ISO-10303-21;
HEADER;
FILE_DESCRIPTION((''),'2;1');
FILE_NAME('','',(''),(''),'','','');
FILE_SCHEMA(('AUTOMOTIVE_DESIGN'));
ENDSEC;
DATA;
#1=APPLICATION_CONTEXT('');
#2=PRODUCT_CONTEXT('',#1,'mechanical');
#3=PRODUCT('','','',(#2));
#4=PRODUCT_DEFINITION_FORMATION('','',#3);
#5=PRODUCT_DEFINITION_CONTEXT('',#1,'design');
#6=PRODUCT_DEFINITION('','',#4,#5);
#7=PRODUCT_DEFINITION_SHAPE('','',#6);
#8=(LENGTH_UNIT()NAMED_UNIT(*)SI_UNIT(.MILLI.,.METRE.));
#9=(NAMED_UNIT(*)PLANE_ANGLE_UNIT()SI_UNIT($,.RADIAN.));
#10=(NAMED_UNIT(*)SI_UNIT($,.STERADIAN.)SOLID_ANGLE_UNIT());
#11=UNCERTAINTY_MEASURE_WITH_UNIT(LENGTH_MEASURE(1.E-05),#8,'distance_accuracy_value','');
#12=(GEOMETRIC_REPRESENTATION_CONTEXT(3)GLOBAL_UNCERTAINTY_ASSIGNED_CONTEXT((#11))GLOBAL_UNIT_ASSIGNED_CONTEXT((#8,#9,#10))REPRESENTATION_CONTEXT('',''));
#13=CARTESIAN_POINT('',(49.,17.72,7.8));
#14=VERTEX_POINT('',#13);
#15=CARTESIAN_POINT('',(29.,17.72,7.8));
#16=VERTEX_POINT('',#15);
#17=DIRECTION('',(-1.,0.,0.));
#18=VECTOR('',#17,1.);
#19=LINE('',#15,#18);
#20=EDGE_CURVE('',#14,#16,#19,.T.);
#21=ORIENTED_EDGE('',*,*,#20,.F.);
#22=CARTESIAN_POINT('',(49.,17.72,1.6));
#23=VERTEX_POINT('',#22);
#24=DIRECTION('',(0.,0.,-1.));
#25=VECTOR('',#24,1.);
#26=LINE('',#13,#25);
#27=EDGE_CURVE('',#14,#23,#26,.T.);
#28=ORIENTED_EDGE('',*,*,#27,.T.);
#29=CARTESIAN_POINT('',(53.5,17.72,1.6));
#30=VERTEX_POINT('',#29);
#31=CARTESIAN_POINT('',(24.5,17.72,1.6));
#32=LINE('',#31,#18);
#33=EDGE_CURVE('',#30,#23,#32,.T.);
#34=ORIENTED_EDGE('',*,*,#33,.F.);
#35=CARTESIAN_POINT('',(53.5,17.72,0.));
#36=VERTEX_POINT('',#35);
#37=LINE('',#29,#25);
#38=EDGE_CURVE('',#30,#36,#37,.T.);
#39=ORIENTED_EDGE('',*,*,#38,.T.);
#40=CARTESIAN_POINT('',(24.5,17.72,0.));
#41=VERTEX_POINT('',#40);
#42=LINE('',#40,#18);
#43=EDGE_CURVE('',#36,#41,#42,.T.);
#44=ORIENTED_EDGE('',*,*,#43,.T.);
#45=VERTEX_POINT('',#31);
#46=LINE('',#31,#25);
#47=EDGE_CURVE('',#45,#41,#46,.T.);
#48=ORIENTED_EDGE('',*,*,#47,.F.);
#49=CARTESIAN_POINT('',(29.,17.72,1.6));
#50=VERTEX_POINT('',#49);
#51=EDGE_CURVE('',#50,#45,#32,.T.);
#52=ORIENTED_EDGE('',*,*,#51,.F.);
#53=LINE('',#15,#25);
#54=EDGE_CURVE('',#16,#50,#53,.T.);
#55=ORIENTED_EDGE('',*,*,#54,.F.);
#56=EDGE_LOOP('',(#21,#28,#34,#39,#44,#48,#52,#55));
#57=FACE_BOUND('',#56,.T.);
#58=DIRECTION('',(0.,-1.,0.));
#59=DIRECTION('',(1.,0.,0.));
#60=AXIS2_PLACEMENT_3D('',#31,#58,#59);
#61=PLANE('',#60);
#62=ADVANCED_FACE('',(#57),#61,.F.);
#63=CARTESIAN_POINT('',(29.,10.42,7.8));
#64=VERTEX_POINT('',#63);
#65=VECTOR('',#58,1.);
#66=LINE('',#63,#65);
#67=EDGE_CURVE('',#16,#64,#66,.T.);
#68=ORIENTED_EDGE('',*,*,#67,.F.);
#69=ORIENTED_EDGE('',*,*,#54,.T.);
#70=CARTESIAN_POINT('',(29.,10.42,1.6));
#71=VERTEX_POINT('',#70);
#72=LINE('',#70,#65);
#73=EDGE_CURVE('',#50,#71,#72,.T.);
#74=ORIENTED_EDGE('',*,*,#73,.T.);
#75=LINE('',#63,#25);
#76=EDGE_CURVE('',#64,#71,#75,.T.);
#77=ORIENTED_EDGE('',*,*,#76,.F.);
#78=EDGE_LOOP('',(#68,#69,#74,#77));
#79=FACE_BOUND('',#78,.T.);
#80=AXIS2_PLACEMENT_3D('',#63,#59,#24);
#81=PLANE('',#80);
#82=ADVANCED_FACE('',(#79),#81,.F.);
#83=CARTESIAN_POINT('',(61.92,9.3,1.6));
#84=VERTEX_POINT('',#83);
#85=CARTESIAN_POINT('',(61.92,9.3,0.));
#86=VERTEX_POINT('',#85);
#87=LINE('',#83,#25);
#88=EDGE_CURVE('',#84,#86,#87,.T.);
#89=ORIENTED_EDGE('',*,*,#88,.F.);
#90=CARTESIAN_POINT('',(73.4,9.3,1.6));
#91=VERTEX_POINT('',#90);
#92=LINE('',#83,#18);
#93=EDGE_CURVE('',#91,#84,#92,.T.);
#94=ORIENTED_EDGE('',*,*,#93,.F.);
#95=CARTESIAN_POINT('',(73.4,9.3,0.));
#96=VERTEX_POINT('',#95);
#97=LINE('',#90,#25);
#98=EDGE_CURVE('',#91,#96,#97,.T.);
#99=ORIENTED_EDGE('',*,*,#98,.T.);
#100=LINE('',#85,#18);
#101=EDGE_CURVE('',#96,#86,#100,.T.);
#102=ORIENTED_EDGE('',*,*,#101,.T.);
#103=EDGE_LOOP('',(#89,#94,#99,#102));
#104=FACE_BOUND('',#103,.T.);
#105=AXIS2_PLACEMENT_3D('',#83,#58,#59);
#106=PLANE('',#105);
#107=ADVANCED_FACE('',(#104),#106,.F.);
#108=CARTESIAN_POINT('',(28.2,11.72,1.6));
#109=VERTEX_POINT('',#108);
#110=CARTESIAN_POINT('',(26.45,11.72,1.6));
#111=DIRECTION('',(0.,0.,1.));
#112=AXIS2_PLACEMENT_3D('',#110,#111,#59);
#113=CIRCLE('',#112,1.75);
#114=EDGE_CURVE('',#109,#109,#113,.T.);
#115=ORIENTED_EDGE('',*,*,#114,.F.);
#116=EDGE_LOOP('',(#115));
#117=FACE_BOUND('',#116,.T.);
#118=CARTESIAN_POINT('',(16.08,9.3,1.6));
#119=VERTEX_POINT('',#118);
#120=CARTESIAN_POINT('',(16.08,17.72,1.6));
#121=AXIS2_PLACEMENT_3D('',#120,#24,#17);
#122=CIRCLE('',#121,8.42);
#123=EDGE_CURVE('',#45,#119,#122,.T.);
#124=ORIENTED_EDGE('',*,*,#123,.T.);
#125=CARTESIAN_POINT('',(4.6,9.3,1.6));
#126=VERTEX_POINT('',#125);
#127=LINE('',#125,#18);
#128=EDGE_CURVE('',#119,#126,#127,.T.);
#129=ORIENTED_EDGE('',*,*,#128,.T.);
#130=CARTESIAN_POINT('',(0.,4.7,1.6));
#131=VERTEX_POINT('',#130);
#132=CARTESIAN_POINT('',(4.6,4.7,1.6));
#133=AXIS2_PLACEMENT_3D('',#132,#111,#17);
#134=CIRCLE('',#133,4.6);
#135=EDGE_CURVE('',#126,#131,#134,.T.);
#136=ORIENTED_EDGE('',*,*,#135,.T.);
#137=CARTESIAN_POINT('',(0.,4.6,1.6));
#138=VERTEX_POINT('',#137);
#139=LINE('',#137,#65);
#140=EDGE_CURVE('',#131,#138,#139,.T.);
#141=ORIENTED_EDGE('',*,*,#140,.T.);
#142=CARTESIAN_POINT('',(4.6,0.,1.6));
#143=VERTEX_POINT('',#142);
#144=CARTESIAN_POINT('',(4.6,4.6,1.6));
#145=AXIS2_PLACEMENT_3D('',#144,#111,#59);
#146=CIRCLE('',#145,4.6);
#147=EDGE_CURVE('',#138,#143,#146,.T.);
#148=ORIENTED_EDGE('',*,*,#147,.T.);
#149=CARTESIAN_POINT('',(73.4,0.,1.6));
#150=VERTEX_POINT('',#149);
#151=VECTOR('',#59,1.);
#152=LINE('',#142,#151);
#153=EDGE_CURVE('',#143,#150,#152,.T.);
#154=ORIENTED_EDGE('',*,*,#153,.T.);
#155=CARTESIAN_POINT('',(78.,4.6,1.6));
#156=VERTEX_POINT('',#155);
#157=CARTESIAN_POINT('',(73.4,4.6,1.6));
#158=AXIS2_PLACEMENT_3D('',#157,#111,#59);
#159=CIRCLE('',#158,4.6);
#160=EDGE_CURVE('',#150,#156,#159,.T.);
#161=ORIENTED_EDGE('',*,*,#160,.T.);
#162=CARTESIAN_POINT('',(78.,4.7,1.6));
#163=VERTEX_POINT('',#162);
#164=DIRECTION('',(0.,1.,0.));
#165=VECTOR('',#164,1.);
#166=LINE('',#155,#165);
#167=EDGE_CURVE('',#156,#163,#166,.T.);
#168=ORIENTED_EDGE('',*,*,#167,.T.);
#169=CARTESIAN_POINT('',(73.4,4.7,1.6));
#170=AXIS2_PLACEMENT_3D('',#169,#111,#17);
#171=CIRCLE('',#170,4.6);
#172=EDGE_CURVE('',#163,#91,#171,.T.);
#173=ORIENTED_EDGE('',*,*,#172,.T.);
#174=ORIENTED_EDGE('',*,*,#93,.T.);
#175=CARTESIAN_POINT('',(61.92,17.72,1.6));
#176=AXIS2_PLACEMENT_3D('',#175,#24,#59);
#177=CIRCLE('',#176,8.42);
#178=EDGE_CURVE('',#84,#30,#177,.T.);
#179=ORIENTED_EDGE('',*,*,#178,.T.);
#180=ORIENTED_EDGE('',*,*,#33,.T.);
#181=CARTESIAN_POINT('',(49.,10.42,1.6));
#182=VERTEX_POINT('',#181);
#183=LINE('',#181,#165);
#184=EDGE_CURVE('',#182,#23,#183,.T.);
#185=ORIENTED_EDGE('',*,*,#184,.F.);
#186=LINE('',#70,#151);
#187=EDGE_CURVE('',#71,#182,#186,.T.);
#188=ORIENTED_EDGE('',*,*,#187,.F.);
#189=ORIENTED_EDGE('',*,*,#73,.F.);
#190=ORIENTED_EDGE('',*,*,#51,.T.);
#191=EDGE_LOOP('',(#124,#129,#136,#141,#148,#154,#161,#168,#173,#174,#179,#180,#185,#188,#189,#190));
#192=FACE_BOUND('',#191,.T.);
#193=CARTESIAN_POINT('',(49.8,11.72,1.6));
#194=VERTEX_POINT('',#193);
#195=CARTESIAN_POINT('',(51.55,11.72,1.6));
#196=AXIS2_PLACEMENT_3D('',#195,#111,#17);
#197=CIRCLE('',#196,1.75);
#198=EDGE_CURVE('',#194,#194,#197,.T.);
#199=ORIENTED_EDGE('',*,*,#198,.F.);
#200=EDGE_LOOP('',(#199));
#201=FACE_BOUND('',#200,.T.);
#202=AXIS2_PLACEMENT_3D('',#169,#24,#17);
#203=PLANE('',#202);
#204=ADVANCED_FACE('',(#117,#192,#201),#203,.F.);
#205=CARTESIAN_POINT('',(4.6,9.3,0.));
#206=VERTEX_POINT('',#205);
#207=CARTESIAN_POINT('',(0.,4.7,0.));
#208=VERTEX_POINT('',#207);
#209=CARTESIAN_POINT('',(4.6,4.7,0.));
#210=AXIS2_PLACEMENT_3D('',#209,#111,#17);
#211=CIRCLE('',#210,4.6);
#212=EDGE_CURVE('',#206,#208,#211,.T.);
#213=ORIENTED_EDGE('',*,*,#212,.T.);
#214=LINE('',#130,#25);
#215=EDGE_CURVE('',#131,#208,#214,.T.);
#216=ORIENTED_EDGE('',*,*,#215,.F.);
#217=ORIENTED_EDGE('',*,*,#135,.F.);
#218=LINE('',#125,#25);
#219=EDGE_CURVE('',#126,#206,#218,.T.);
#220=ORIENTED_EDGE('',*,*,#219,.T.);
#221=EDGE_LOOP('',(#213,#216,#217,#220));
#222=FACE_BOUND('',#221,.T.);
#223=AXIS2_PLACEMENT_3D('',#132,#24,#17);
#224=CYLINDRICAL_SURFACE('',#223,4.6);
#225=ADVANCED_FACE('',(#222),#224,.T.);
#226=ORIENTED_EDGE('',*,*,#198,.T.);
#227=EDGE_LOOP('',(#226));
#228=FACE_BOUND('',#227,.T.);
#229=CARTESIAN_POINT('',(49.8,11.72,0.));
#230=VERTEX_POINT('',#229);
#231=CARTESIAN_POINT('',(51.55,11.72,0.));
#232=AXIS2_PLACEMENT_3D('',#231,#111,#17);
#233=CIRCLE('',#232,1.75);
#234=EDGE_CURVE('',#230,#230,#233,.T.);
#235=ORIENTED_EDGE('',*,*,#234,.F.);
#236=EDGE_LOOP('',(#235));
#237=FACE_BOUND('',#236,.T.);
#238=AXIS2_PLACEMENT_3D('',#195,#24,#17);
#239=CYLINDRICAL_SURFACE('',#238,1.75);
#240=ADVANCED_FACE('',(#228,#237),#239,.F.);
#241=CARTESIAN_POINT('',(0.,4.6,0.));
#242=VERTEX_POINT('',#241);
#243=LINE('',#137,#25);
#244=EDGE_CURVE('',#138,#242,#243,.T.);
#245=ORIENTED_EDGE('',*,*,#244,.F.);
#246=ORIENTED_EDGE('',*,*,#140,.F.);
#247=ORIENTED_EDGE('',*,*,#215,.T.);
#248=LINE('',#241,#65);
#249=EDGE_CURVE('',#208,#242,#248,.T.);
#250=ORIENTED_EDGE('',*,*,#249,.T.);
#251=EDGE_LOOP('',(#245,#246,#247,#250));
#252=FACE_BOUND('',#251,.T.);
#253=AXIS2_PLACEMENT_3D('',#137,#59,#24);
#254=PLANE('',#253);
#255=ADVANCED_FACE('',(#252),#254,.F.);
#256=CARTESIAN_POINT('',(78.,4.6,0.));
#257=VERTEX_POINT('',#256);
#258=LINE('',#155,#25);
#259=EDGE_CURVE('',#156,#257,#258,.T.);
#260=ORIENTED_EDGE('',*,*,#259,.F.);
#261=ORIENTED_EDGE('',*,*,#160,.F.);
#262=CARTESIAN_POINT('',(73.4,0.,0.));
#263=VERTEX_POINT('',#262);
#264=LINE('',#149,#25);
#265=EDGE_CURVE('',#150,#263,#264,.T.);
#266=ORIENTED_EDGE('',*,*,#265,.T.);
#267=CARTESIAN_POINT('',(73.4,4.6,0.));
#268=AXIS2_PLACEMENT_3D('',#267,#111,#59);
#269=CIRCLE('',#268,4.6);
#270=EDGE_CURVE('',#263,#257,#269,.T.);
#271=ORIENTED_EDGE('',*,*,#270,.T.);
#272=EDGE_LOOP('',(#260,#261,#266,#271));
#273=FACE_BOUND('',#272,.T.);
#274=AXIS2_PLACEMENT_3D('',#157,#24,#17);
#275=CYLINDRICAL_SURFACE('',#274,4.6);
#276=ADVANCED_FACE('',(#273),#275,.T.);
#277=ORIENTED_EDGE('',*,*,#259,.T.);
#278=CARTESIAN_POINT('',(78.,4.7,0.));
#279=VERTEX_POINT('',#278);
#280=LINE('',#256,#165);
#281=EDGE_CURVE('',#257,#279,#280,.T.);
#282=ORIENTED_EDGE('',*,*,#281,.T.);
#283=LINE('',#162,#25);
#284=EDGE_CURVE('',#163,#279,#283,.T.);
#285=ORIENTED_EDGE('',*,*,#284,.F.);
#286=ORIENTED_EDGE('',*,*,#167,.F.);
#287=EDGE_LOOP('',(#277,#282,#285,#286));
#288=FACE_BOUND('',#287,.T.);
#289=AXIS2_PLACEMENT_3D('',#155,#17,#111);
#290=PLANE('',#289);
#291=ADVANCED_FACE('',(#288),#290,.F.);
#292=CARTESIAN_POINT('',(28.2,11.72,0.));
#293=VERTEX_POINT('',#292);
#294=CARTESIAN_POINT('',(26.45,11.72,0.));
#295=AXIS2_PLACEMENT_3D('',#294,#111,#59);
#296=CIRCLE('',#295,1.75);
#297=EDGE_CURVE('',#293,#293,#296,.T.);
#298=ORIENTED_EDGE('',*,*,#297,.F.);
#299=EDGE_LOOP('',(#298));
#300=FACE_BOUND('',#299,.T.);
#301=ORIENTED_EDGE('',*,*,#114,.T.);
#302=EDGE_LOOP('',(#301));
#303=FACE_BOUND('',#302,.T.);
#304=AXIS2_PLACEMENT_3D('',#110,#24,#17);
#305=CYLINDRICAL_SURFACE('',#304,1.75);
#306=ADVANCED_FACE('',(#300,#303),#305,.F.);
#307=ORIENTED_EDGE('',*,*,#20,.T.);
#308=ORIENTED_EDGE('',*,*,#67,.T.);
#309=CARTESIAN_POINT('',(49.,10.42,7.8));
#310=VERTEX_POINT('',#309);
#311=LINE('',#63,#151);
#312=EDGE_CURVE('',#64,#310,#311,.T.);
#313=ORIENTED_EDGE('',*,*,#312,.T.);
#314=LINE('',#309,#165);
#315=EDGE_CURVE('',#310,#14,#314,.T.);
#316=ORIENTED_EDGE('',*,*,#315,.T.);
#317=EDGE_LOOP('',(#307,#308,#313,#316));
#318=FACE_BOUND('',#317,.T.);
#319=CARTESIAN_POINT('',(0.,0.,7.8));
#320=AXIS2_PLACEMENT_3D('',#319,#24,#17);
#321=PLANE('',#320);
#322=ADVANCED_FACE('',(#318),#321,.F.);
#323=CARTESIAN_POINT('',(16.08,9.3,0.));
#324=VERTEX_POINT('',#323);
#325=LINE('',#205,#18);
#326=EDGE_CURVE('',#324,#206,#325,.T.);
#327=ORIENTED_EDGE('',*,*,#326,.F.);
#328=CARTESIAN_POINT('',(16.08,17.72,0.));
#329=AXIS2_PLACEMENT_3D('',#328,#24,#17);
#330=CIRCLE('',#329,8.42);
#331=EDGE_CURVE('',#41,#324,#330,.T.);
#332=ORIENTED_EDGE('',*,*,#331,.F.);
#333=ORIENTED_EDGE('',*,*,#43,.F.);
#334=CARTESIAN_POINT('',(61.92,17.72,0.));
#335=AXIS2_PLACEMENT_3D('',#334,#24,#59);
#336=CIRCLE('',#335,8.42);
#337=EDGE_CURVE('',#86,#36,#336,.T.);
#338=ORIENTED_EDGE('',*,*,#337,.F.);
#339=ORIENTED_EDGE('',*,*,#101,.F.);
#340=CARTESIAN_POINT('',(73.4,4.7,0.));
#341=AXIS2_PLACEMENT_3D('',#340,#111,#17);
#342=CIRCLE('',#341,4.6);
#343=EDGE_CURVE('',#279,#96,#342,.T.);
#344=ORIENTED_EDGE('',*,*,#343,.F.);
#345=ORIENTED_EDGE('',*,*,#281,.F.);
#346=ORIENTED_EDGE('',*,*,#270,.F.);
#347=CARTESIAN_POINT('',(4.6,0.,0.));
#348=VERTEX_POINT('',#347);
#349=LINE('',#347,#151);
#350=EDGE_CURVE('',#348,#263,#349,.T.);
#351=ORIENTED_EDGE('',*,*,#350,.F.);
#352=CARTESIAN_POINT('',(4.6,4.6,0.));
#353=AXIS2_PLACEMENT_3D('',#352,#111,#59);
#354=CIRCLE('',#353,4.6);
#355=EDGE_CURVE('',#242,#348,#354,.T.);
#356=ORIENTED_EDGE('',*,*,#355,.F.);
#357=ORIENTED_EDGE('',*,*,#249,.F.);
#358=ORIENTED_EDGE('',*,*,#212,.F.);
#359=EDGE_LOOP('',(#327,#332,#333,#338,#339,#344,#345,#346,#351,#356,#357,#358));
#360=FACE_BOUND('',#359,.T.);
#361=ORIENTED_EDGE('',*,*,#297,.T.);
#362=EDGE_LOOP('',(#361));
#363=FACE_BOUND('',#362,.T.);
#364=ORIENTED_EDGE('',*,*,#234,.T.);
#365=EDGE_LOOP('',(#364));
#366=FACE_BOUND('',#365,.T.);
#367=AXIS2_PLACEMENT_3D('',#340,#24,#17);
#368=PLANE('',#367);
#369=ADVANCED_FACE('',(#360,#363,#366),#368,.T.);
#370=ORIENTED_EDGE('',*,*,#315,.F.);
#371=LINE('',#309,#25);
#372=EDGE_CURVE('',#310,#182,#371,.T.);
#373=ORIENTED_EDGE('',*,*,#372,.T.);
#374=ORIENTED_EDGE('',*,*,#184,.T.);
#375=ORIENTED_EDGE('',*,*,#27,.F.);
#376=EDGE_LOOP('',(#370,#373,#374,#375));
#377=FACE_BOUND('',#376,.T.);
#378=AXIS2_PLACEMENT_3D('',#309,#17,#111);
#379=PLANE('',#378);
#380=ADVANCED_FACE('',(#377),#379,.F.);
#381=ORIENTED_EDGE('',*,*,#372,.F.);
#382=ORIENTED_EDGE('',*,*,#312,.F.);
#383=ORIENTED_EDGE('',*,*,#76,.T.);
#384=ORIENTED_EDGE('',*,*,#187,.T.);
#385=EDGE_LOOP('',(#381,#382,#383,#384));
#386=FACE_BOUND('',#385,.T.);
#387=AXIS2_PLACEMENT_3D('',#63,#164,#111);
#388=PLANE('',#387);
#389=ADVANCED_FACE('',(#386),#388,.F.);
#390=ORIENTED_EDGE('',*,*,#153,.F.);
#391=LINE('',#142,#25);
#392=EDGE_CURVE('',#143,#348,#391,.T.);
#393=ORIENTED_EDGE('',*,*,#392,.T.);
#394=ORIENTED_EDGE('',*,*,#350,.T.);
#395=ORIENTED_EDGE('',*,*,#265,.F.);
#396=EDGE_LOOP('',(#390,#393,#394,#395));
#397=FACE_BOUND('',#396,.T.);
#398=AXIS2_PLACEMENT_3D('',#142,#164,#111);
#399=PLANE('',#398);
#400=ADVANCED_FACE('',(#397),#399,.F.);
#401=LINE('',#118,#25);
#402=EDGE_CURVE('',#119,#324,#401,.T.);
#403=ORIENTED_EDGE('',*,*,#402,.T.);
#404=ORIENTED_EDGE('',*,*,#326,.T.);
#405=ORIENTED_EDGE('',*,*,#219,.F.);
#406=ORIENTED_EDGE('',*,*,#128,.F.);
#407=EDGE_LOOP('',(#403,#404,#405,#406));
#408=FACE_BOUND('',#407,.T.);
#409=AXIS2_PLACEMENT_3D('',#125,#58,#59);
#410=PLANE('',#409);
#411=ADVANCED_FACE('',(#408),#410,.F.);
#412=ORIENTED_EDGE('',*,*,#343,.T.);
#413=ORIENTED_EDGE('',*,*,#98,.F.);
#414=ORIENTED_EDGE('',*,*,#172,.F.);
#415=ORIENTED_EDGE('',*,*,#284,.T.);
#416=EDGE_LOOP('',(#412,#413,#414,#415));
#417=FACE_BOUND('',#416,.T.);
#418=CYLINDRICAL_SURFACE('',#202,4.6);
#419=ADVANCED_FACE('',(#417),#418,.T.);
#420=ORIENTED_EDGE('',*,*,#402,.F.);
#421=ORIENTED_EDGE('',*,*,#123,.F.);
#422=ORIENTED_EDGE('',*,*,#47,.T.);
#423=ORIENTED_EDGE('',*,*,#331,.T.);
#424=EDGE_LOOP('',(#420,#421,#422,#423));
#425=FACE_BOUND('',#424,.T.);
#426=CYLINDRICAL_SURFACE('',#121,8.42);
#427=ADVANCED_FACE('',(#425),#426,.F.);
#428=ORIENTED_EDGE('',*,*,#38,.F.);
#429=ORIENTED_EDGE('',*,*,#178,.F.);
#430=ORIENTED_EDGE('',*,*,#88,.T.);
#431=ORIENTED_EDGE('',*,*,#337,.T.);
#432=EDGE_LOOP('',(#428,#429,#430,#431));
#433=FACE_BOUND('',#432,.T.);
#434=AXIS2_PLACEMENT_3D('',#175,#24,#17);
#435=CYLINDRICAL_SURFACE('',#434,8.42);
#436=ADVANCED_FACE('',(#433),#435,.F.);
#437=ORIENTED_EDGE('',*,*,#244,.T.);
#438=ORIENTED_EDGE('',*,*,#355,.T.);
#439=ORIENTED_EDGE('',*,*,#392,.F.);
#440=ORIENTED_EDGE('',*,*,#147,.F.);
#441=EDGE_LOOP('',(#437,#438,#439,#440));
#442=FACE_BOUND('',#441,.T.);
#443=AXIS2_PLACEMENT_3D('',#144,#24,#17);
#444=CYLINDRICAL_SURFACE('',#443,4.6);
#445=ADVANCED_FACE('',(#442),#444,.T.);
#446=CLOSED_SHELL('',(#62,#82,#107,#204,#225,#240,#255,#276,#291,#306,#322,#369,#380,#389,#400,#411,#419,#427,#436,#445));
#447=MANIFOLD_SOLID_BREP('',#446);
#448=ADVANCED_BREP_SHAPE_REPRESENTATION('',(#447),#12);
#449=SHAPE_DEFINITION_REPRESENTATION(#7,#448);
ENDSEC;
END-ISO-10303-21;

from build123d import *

# Parameters (mm, degrees)
ESQUISSE1_R        = 1.75
BOSS_EXTRU_1_DEPTH = 1.6
ESQUISSE2_W        = 20
ESQUISSE2_H        = 7.3
BOSS_EXTRU_2_DEPTH = 6.2


with BuildPart() as part:
    # Esquisse1 → Boss.-Extru.1 (new body)
    with BuildSketch(Plane.XY):
        with BuildLine():
            Line((4.6, 0), (73.4, 0))
            ThreePointArc((73.4, 0), (76.652691193, 1.347308807), (78, 4.6))
            Line((78, 4.6), (78, 4.7))
            ThreePointArc((78, 4.7), (76.652691193, 7.952691193), (73.4, 9.3))
            Line((73.4, 9.3), (61.92, 9.3))
            ThreePointArc((61.92, 9.3), (55.966160902, 11.766160902), (53.5, 17.72))
            Line((53.5, 17.72), (24.5, 17.72))
            ThreePointArc((24.5, 17.72), (22.033839098, 11.766160902), (16.08, 9.3))
            Line((16.08, 9.3), (4.6, 9.3))
            ThreePointArc((4.6, 9.3), (1.347308807, 7.952691193), (0, 4.7))
            Line((0, 4.7), (0, 4.6))
            ThreePointArc((0, 4.6), (1.347308807, 1.347308807), (4.6, 0))
        make_face()
        with Locations((26.45, 11.72)):
            Circle(ESQUISSE1_R, mode=Mode.SUBTRACT)
        with Locations(Location((51.55, 11.72, 0), (0, 0, 180))):
            Circle(ESQUISSE1_R, mode=Mode.SUBTRACT)
    extrude(amount=BOSS_EXTRU_1_DEPTH)

    # Esquisse2 → Boss.-Extru.2 (add)
    with BuildSketch(Plane.XY.offset(1.6)):
        with Locations((39, 14.07)):
            Rectangle(ESQUISSE2_W, ESQUISSE2_H)
    extrude(amount=BOSS_EXTRU_2_DEPTH)


solid = part.part
